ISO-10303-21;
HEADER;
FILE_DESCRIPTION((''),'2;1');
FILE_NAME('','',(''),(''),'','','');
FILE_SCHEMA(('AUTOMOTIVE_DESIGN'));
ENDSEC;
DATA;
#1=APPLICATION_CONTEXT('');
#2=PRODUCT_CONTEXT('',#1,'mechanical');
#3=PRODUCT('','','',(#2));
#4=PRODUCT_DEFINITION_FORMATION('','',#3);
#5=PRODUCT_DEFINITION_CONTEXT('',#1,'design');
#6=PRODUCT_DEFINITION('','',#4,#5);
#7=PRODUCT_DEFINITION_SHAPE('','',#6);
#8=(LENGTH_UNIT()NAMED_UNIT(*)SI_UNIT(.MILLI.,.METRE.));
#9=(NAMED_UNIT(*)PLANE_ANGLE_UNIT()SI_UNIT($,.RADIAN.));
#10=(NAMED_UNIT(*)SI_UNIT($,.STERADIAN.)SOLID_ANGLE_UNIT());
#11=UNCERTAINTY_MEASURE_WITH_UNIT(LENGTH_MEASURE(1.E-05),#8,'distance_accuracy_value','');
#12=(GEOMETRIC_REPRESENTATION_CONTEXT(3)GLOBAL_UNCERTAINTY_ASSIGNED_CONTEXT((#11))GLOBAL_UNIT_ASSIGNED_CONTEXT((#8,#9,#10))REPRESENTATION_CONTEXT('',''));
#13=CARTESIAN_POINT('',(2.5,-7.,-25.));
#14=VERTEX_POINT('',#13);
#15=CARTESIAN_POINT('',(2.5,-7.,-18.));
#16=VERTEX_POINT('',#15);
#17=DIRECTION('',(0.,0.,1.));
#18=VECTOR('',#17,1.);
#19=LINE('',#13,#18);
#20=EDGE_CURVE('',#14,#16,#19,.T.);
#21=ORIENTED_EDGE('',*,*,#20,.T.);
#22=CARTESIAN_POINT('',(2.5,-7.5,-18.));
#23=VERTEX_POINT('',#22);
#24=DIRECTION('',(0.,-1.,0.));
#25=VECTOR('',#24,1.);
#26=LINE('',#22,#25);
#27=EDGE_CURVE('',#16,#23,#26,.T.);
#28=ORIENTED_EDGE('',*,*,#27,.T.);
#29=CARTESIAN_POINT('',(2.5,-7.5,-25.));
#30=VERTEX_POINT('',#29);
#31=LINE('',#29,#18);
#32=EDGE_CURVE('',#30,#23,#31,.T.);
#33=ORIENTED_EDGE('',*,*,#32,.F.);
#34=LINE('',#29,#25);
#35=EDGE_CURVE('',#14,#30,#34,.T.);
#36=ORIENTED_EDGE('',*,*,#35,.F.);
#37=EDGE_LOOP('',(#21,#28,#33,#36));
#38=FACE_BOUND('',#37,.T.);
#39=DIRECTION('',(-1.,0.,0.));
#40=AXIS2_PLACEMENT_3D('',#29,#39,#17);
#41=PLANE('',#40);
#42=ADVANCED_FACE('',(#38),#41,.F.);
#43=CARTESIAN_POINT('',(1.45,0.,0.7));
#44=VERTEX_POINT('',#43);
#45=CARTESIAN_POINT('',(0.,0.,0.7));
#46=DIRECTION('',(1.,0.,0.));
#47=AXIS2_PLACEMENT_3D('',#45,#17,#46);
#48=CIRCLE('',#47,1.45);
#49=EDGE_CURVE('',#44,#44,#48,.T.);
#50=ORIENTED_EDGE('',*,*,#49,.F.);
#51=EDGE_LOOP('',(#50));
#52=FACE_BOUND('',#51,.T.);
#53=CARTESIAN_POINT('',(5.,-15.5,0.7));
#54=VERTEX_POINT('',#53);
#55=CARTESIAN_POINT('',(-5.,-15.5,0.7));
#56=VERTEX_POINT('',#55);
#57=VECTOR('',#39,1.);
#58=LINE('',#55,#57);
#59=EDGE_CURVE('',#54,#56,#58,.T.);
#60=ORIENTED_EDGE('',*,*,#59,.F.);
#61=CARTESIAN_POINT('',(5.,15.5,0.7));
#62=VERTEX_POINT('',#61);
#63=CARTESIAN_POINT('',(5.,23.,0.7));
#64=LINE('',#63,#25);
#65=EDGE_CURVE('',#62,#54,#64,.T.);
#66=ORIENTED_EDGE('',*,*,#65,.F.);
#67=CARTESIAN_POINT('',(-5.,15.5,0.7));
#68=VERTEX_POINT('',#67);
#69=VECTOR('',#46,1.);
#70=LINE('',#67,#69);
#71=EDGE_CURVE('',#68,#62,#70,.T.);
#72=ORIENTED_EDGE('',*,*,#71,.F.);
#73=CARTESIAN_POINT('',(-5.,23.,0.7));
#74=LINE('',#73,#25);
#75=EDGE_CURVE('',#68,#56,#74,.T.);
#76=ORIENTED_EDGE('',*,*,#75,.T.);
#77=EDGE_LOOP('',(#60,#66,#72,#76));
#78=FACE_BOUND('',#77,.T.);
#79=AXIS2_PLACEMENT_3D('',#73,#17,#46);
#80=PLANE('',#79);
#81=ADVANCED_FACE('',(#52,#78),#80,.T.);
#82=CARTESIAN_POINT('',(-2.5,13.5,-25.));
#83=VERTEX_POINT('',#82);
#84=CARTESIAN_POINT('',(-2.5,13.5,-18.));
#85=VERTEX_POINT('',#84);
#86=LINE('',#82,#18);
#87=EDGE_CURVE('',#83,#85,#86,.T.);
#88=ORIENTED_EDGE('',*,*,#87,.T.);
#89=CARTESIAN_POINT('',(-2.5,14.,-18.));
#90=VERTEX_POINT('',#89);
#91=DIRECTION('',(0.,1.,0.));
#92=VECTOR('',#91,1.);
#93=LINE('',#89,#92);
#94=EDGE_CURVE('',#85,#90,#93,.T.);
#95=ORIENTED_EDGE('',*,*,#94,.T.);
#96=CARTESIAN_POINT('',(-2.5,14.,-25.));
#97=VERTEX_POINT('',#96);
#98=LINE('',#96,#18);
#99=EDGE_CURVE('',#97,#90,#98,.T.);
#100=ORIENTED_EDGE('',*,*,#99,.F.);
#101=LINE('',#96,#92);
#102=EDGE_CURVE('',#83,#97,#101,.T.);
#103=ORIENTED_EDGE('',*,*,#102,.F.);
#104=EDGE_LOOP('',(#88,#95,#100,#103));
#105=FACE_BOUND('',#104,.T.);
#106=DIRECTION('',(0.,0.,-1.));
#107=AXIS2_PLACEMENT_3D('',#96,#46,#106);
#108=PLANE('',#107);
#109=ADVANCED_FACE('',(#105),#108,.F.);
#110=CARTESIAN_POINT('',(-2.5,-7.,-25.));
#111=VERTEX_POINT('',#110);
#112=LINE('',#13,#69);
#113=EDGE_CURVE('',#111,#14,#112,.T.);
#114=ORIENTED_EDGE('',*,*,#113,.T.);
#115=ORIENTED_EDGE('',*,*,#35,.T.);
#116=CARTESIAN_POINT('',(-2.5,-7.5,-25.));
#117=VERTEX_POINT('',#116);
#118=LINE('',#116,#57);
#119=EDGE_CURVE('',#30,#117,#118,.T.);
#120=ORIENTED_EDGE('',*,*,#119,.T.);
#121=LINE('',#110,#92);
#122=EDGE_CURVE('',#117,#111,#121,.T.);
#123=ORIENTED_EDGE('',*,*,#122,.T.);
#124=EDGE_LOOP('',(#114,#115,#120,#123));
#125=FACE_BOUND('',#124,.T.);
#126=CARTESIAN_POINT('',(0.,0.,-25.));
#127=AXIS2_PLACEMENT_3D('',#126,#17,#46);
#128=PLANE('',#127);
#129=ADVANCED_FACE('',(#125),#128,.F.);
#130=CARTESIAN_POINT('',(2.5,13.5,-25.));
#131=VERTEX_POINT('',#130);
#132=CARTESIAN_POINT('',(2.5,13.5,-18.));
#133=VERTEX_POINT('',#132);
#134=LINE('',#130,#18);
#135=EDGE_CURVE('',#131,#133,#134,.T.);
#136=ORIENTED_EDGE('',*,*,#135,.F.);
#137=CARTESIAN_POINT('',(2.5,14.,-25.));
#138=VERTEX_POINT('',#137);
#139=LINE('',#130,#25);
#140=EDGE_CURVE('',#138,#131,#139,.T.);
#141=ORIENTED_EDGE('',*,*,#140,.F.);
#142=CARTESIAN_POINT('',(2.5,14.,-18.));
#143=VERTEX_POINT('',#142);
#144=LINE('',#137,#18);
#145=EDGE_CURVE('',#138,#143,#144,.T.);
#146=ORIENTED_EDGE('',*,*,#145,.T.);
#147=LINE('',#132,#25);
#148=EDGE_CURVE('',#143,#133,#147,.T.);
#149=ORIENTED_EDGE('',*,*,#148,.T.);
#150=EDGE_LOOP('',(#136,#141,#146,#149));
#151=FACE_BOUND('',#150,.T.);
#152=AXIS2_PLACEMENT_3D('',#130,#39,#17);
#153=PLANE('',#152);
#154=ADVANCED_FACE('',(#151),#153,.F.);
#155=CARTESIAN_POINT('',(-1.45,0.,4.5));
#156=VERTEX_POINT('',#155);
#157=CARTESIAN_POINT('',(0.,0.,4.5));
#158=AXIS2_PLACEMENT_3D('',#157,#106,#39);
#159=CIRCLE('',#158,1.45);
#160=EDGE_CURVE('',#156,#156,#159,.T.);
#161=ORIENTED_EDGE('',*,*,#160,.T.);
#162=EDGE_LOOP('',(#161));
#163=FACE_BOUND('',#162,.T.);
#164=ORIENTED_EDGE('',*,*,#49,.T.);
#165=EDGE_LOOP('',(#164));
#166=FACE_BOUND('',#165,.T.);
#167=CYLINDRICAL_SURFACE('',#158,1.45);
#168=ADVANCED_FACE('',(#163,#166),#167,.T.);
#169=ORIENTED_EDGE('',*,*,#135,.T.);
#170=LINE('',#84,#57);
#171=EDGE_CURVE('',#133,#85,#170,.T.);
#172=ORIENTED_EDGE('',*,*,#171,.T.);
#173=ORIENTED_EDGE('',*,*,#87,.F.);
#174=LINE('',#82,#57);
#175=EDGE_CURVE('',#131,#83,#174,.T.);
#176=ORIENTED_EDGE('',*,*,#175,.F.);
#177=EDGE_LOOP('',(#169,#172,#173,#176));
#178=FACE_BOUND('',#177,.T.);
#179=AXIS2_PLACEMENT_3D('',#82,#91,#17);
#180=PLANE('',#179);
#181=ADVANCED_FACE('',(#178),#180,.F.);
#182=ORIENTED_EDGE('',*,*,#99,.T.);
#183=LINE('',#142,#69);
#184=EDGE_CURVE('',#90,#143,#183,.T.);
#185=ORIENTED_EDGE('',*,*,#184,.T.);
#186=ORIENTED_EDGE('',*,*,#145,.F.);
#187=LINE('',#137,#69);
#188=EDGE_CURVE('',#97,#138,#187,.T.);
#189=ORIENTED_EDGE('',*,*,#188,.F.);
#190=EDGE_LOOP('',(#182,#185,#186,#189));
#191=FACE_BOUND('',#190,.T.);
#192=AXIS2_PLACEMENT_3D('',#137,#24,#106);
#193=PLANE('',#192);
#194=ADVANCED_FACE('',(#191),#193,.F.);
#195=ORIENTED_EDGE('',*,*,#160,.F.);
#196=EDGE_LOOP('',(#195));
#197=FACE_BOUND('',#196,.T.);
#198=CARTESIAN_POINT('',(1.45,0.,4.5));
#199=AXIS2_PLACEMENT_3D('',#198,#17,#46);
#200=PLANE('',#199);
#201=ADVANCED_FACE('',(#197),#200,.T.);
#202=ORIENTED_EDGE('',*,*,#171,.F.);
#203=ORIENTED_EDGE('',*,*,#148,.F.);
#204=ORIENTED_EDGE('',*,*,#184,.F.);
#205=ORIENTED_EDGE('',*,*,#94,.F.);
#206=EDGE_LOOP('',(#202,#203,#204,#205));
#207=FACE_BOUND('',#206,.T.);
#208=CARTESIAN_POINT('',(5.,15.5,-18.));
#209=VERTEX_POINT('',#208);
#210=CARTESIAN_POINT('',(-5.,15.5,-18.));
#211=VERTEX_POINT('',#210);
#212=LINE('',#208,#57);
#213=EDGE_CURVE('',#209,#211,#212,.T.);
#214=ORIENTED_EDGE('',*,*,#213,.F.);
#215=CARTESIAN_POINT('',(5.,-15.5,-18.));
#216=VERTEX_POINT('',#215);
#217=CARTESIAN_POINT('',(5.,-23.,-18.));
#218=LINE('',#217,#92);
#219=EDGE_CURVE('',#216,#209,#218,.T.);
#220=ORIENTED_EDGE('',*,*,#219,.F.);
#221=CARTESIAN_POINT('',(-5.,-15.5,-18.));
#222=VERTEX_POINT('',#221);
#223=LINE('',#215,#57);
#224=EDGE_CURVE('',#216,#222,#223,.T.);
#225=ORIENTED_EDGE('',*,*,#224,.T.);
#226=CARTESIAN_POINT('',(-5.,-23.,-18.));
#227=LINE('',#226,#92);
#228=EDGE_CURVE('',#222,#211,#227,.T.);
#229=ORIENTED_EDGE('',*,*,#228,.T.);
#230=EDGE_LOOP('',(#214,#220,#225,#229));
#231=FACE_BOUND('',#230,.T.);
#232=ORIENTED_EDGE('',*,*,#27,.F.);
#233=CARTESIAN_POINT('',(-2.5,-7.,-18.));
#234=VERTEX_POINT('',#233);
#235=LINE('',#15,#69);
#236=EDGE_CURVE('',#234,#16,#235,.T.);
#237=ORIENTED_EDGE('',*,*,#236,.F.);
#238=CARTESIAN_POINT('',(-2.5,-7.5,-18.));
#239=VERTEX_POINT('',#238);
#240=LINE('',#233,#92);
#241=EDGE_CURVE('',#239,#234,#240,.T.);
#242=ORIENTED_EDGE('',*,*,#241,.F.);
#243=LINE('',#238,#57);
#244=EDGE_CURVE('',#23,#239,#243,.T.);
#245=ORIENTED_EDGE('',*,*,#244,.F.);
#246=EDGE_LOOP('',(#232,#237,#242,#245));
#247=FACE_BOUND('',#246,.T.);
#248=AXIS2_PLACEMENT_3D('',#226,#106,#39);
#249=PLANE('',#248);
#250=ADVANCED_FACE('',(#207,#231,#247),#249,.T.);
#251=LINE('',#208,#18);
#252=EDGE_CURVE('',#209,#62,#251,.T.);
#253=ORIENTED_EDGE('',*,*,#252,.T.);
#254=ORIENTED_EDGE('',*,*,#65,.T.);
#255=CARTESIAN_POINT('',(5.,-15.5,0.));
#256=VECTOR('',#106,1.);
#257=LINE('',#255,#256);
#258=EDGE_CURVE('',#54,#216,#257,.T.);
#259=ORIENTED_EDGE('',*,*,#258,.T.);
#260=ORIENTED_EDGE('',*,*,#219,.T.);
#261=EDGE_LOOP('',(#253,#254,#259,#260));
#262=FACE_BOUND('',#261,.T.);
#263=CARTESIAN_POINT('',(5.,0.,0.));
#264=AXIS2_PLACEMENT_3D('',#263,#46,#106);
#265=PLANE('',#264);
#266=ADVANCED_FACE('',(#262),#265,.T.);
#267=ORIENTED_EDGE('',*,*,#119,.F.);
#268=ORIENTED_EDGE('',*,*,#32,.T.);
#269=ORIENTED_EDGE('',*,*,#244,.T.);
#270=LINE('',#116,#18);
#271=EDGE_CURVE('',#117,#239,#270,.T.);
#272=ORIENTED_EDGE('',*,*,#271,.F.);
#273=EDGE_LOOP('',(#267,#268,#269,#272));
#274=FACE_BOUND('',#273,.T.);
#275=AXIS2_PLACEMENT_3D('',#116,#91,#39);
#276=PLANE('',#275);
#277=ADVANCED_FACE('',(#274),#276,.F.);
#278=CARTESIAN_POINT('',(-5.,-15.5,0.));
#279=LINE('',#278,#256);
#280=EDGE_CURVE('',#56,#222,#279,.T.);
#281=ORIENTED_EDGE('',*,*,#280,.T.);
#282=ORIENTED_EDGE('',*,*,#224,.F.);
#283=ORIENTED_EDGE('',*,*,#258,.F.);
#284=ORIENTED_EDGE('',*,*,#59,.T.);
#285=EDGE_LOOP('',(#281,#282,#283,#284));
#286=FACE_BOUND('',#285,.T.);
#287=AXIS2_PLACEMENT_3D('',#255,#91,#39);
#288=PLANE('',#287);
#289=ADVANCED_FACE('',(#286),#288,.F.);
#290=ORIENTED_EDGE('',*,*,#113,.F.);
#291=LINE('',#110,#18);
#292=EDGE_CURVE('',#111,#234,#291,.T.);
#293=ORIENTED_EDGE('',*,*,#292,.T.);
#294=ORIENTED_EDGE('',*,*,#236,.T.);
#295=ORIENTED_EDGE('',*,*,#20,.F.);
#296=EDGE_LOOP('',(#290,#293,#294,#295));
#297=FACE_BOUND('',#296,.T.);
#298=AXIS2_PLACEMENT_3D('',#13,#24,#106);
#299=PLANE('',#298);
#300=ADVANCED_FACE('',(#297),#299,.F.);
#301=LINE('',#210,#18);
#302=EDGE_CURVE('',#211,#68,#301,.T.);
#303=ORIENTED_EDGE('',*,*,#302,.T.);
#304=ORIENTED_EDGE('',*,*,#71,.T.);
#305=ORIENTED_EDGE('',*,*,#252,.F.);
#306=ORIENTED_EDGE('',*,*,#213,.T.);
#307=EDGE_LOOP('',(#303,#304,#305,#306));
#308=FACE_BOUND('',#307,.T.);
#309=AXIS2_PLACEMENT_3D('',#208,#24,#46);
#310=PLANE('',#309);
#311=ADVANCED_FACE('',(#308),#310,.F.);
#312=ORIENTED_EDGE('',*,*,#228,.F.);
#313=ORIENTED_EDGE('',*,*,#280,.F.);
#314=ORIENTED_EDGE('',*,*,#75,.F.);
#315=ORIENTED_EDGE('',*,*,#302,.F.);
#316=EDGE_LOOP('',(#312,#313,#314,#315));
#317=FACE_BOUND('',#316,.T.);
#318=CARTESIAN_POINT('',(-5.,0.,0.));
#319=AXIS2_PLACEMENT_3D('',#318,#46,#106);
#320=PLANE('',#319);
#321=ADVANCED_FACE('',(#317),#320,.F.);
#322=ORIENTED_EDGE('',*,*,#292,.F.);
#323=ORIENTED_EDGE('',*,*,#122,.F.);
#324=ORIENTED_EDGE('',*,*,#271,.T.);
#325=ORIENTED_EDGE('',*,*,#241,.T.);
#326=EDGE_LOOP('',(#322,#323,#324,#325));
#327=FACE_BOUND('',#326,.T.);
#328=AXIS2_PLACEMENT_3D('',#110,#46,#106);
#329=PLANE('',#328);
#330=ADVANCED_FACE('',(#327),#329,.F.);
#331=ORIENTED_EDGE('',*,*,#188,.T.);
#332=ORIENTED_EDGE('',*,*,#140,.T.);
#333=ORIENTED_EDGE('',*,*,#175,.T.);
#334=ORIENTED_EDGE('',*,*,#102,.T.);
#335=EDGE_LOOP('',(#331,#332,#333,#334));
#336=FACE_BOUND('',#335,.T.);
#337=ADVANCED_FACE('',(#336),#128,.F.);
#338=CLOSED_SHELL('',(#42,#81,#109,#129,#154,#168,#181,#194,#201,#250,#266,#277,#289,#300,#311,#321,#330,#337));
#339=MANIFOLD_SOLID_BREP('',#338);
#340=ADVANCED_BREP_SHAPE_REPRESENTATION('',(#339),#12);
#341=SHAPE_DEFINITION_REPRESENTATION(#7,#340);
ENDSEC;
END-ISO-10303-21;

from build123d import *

# Parameters (mm, degrees)
SKETCH1_W                      = 18.7
SKETCH1_H                      = 46
BOSS_EXTRUDE1_DEPTH            = 10
SKETCH2_W                      = 18
SKETCH2_H                      = 7.5
CUT_EXTRUDE1_DEPTH             = 31.870698081
SKETCH3_W                      = 18
SKETCH3_H                      = 7.5
CUT_EXTRUDE2_DEPTH             = 31.870698081
SKETCH4_W                      = 5
SKETCH4_H                      = 0.5
BOSS_EXTRUDE2_DEPTH            = 7
SKETCH5_W                      = 5
SKETCH5_H                      = 0.5
BOSS_EXTRUDE3_DEPTH            = 7
SKETCH6_W                      = 1.45
SKETCH6_H                      = 3.8
F_2_5_2_5_DIAMETER_HOLE1_D     = 2.5
F_2_5_2_5_DIAMETER_HOLE1_DEPTH = 25.7
FILLET1_R                      = 0.5
CUT_EXTRUDE3_DEPTH             = 35.336569427
CUT_EXTRUDE3_DEPTH_BACK        = 35.336569427


with BuildPart() as part:
    # Sketch1 → Boss-Extrude1 (new body)
    with BuildSketch(Plane(origin=(5, 0, 0), x_dir=(0, 0, -1), z_dir=(1, 0, 0))):
        with Locations((8.65, 0)):
            Rectangle(SKETCH1_W, SKETCH1_H)
    extrude(amount=-BOSS_EXTRUDE1_DEPTH)

    # Sketch2 → Cut-Extrude1 (cut, through all)
    with BuildSketch(Plane.ZY.offset(5)):
        with Locations((-9, -19.25)):
            Rectangle(SKETCH2_W, SKETCH2_H)
    extrude(amount=-CUT_EXTRUDE1_DEPTH, mode=Mode.SUBTRACT)

    # Sketch3 → Cut-Extrude2 (cut, through all)
    with BuildSketch(Plane.ZY.offset(5)):
        with Locations((-9, 19.25)):
            Rectangle(SKETCH3_W, SKETCH3_H)
    extrude(amount=-CUT_EXTRUDE2_DEPTH, mode=Mode.SUBTRACT)

    # Sketch4 → Boss-Extrude2 (add)
    with BuildSketch(Plane(origin=(0, 0, -18), x_dir=(-1, 0, 0), z_dir=(0, 0, -1))):
        with Locations((0, -7.25)):
            Rectangle(SKETCH4_W, SKETCH4_H)
    extrude(amount=BOSS_EXTRUDE2_DEPTH)

    # Sketch5 → Boss-Extrude3 (add)
    with BuildSketch(Plane(origin=(0, 0, -18), x_dir=(-1, 0, 0), z_dir=(0, 0, -1))):
        with Locations((0, 13.75)):
            Rectangle(SKETCH5_W, SKETCH5_H)
    extrude(amount=BOSS_EXTRUDE3_DEPTH)

    # Sketch6 → Revolve1 (revolve)
    with BuildSketch(Plane.XZ, mode=Mode.PRIVATE) as revolve1_sk:
        with Locations((0.725, 2.6)):
            Rectangle(SKETCH6_W, SKETCH6_H)
    revolve(revolve1_sk.sketch.rotate(Axis((0, 0, 4.5), (0, 0, -1)), 180), axis=Axis((0, 0, 4.5), (0, 0, -1)))

    # Ø2.5 (2.5) Diameter Hole1
    with Locations(Plane.XY.offset(0.7)):
        with Locations((0, -21), (0, 21)):
            Hole(F_2_5_2_5_DIAMETER_HOLE1_D / 2, depth=F_2_5_2_5_DIAMETER_HOLE1_DEPTH)

    # Fillet1
    fillet1_edges = [part.edges().sort_by_distance(p)[0] for p in [
        (5, 23, 0.35),
        (-5, 23, 0.35),
        (-5, -23, 0.35),
        (5, -23, 0.35),
    ]]
    fillet(fillet1_edges, radius=FILLET1_R)

    # Sketch9 → Cut-Extrude3 (cut, two sides: drawn at the far end of the back side and taken through both)
    with BuildSketch(Plane(origin=(0, 0, 0), x_dir=(-1, 0, 0), z_dir=(0, 0, -1)).offset(-CUT_EXTRUDE3_DEPTH_BACK)):
        with BuildLine():
            Line((4.5, 23), (-4.5, 23))
            ThreePointArc((-4.5, 23), (-4.853553391, 22.853553391), (-5, 22.5))
            Line((-5, 22.5), (-5, 15.5))
            Line((-5, 15.5), (5, 15.5))
            Line((5, 15.5), (5, 22.5))
            ThreePointArc((5, 22.5), (4.853553391, 22.853553391), (4.5, 23))
        make_face()
        with BuildLine():
            Line((-4.5, -23), (4.5, -23))
            ThreePointArc((4.5, -23), (4.853553391, -22.853553391), (5, -22.5))
            Line((5, -22.5), (5, -15.5))
            Line((5, -15.5), (-5, -15.5))
            Line((-5, -15.5), (-5, -22.5))
            ThreePointArc((-5, -22.5), (-4.853553391, -22.853553391), (-4.5, -23))
        make_face()
    extrude(amount=CUT_EXTRUDE3_DEPTH + CUT_EXTRUDE3_DEPTH_BACK, mode=Mode.SUBTRACT)


solid = part.part
